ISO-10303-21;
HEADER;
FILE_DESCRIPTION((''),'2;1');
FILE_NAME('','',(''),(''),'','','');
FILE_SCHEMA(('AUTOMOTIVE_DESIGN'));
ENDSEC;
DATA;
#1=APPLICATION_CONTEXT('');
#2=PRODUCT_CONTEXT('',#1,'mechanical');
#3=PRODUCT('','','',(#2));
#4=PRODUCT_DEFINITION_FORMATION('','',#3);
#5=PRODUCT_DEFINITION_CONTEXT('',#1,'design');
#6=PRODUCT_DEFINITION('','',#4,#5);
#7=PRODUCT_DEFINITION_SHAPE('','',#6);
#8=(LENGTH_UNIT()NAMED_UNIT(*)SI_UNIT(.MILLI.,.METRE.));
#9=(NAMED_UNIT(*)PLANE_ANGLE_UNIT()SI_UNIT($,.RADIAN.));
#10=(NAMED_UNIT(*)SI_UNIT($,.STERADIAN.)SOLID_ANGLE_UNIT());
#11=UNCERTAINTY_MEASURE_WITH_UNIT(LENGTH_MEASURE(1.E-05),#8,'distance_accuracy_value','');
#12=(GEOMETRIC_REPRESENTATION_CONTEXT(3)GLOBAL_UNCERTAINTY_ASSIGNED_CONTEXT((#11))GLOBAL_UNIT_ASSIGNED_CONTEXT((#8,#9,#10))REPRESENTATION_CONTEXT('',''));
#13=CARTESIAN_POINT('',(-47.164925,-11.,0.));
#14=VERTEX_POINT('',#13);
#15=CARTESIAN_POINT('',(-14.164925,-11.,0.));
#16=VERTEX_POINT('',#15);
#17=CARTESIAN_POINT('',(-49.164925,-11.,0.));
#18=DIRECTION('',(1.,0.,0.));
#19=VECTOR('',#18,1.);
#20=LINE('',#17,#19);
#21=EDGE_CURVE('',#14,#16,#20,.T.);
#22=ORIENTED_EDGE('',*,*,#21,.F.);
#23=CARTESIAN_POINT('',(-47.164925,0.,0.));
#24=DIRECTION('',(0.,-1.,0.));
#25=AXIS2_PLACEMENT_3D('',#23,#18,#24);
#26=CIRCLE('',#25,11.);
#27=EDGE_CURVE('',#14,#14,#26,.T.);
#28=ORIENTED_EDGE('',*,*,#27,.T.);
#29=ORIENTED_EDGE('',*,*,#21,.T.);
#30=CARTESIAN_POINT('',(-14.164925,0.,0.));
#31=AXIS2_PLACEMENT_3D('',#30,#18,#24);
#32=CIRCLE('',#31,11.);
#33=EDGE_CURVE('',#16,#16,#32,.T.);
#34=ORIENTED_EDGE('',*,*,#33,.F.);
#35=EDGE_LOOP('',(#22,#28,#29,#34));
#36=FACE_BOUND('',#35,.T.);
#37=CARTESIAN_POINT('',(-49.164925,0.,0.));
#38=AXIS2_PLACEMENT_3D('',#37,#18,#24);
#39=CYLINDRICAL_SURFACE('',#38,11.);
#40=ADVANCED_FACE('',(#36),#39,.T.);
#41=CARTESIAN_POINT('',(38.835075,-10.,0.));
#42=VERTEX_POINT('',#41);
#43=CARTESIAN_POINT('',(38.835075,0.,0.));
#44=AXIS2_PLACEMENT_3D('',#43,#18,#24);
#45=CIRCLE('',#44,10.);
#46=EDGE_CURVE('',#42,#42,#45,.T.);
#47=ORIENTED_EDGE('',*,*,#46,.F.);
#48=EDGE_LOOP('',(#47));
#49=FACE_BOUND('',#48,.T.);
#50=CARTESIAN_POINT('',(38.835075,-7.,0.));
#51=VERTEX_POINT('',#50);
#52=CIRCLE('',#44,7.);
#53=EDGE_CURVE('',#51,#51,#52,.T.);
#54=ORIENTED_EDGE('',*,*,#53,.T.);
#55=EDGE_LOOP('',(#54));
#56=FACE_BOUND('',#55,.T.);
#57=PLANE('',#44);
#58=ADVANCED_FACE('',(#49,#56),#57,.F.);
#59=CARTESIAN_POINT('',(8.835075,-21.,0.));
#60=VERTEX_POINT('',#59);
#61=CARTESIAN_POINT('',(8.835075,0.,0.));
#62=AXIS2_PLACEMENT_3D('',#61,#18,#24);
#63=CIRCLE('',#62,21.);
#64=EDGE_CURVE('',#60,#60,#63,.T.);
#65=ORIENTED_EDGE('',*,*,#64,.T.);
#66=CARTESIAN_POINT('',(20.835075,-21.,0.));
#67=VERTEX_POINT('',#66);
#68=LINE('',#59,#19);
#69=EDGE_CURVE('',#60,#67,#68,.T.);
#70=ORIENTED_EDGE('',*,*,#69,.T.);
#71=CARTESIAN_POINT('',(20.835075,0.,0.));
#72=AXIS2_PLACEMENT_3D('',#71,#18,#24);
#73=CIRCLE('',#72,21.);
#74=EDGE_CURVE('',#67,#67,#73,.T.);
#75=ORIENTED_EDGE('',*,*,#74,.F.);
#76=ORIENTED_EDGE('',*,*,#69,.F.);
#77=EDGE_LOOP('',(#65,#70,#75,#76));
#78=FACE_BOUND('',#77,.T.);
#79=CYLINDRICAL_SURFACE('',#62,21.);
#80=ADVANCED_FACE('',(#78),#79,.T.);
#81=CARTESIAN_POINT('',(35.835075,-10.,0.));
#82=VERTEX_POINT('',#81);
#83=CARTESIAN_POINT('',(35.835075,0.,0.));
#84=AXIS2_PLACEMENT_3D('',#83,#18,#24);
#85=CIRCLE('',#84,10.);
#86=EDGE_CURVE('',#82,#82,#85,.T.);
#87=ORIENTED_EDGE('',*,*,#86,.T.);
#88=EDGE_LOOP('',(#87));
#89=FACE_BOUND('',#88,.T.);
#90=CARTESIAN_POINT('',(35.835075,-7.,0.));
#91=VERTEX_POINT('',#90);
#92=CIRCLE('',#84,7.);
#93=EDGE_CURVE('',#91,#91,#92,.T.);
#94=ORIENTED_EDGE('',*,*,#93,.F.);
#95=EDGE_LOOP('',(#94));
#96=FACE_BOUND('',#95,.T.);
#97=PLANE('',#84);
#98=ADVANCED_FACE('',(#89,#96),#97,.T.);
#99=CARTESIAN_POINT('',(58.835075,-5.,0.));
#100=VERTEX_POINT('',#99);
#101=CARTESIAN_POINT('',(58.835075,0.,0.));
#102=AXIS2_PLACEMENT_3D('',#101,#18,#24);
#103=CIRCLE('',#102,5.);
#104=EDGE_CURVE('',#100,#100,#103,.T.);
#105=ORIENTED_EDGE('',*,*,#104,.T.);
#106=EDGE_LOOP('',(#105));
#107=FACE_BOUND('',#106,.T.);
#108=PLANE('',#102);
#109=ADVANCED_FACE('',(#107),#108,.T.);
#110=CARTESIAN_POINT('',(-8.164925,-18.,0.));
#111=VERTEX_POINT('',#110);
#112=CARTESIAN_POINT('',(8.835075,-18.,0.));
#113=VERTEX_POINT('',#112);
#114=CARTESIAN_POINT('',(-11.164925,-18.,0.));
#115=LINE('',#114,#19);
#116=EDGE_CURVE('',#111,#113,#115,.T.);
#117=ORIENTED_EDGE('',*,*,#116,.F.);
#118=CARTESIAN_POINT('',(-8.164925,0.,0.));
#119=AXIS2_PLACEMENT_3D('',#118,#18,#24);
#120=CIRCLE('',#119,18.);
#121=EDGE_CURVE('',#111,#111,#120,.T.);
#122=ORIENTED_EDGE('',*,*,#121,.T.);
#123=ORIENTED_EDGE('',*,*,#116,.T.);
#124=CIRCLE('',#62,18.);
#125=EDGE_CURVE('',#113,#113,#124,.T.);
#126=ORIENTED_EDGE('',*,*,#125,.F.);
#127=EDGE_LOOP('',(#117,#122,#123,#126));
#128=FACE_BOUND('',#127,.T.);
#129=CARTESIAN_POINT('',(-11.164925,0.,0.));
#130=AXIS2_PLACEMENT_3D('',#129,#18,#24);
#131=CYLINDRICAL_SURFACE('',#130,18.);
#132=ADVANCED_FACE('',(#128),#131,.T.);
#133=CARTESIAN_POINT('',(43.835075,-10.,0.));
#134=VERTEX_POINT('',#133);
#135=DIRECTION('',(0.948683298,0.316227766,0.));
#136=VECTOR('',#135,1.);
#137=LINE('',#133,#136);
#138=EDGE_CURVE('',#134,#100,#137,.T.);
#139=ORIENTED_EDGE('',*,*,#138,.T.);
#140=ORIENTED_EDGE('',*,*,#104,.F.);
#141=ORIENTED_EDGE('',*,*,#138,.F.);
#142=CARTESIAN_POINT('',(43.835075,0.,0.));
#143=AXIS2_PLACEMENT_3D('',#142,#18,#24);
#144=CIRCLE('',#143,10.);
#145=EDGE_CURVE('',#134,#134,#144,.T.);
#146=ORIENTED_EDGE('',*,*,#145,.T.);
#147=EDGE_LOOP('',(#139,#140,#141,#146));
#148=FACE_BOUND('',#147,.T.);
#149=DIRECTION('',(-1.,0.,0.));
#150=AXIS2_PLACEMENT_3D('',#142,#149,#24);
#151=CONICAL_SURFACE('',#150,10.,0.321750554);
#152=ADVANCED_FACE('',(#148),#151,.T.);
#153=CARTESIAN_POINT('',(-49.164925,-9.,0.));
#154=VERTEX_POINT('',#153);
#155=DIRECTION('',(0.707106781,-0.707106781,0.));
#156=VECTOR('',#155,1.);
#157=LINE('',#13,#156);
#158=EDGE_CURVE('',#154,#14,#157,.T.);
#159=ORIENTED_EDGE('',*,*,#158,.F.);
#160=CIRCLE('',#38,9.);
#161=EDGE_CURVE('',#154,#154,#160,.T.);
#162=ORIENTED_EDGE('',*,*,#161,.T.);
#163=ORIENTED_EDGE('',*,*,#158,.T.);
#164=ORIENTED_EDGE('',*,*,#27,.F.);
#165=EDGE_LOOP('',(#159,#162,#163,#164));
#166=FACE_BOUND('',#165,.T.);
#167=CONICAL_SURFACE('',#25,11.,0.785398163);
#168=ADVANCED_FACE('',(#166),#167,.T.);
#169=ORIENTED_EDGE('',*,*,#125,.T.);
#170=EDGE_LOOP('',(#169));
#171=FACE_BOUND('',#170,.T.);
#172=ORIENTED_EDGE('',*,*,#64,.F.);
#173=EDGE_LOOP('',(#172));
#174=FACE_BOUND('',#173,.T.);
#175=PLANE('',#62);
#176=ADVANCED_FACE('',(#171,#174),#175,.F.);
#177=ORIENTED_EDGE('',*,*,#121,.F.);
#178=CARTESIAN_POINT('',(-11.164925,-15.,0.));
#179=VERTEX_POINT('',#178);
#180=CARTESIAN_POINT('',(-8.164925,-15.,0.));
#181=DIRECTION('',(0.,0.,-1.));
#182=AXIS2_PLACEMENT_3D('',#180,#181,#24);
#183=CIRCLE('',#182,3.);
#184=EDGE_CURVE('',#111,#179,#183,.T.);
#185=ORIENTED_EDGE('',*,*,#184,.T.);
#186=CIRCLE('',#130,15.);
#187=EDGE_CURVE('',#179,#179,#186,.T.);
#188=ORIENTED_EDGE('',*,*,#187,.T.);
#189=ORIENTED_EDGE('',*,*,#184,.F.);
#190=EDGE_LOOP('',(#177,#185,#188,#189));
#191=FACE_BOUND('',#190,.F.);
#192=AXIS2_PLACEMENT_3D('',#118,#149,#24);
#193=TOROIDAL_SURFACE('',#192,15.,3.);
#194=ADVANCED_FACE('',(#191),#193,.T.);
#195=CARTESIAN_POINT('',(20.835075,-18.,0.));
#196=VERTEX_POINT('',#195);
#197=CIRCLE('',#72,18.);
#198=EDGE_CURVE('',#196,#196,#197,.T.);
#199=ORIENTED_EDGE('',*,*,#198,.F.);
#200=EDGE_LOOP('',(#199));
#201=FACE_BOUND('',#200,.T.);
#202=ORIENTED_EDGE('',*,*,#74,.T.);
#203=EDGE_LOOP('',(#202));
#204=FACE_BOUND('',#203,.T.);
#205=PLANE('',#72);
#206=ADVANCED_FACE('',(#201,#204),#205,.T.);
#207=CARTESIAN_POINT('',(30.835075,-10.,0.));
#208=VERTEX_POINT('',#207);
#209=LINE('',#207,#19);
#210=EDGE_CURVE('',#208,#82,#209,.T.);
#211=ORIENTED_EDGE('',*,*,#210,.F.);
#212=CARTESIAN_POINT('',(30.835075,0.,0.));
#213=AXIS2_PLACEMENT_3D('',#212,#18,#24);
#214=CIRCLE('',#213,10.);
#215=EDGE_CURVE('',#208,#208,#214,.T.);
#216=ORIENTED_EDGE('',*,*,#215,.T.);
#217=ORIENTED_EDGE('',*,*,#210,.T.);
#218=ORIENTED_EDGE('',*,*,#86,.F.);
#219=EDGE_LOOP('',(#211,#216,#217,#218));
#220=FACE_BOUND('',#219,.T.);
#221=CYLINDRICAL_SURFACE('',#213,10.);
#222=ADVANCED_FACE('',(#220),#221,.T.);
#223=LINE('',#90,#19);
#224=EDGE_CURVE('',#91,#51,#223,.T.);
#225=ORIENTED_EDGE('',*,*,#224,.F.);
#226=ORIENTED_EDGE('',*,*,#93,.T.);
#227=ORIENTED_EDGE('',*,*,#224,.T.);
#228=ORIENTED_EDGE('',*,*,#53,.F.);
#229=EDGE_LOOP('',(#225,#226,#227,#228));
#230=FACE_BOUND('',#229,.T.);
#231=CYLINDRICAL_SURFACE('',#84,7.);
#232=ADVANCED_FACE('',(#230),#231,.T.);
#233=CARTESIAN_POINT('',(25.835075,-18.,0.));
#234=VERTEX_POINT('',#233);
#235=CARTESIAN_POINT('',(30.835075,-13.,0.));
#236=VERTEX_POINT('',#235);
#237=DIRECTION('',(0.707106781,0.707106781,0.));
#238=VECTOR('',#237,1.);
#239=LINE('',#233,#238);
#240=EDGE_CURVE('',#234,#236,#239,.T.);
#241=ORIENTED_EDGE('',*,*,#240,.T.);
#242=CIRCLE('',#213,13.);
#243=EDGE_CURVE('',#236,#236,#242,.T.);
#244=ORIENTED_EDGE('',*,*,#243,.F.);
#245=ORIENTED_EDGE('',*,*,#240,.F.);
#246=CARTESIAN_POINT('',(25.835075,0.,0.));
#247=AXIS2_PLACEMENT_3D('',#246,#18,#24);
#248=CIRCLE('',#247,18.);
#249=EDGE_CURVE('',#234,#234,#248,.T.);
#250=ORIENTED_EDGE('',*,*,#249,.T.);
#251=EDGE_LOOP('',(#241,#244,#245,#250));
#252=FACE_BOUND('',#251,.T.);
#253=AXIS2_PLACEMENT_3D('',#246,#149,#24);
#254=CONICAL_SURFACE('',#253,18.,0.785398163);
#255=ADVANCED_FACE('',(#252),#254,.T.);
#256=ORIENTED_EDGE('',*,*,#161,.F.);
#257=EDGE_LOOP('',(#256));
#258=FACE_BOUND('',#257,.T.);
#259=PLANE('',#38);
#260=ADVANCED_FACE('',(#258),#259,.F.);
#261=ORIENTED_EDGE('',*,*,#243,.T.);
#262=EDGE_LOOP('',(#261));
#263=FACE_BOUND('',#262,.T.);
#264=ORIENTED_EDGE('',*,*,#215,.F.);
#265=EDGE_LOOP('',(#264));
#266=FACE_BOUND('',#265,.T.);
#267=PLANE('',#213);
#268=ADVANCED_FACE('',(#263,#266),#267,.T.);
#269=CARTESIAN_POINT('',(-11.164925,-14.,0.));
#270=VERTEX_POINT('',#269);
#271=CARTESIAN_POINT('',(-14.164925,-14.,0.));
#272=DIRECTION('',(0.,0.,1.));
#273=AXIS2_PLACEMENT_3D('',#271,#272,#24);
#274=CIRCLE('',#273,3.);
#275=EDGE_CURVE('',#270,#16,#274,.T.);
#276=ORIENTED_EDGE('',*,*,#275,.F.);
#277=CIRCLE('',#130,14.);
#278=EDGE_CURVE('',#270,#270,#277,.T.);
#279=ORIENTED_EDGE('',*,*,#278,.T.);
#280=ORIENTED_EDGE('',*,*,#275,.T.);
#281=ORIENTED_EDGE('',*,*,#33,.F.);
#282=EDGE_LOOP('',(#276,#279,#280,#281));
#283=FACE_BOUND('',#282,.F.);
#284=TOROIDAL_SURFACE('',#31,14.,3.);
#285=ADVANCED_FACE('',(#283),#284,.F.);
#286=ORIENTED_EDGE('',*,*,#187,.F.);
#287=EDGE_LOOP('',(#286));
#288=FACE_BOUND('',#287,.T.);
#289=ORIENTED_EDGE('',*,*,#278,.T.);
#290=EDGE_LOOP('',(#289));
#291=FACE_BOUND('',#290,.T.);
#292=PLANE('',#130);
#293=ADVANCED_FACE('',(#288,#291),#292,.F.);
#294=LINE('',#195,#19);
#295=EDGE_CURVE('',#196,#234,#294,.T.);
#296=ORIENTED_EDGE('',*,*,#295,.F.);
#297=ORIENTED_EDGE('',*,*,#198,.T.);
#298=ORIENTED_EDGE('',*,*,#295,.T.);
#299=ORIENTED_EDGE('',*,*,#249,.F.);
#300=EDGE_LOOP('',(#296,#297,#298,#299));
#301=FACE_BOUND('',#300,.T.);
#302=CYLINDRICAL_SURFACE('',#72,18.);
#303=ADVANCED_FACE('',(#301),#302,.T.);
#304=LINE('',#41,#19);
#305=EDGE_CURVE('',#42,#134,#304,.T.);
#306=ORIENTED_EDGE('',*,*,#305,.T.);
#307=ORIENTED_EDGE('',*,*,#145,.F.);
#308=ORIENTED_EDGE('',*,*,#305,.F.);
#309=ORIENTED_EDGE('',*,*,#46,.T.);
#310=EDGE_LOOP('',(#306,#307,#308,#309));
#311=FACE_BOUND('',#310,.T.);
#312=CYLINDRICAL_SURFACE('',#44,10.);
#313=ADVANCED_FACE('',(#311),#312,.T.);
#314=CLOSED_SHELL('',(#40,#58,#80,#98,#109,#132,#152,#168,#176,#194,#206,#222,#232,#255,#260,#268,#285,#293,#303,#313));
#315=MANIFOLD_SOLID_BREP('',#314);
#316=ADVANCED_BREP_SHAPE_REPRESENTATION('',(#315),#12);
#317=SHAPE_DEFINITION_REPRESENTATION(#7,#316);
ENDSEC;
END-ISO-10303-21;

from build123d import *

# Parameters (mm, degrees)
F2_SIZE2 = 2
F2_SIZE  = 2
F3_SIZE  = 5
F4_R     = 3


with BuildPart() as f1:
    # F0 (on Top) → F1 (revolve)
    with BuildSketch(Plane.XY):
        Polygon((58.835075, 0), (-49.164925, 0), (-49.164925, -11), (-11.164925, -11), (-11.164925, -18), (8.835075, -18), (8.835075, -21), (20.835075, -21), (20.835075, -18), (30.835075, -18), (30.835075, -10), (35.835075, -10), (35.835075, -7), (38.835075, -7), (38.835075, -10), (43.835075, -10), (58.835075, -5), align=None)
    revolve(axis=Axis((4.835075, 0, 0), (1, 0, 0)))

    # F2
    f2_edges = [f1.edges().sort_by_distance(p)[0] for p in [
        (-49.164925, 11, 0),
    ]]
    chamfer(f2_edges, length=F2_SIZE, length2=F2_SIZE2)

    # F3
    f3_edges = [f1.edges().sort_by_distance(p)[0] for p in [
        (30.835075, 18, 0),
    ]]
    chamfer(f3_edges, length=F3_SIZE)

    # F4
    f4_edges = [f1.edges().sort_by_distance(p)[0] for p in [
        (-11.164925, 18, 0),
        (-11.164925, 11, 0),
    ]]
    fillet(f4_edges, radius=F4_R)


solid = f1.part
